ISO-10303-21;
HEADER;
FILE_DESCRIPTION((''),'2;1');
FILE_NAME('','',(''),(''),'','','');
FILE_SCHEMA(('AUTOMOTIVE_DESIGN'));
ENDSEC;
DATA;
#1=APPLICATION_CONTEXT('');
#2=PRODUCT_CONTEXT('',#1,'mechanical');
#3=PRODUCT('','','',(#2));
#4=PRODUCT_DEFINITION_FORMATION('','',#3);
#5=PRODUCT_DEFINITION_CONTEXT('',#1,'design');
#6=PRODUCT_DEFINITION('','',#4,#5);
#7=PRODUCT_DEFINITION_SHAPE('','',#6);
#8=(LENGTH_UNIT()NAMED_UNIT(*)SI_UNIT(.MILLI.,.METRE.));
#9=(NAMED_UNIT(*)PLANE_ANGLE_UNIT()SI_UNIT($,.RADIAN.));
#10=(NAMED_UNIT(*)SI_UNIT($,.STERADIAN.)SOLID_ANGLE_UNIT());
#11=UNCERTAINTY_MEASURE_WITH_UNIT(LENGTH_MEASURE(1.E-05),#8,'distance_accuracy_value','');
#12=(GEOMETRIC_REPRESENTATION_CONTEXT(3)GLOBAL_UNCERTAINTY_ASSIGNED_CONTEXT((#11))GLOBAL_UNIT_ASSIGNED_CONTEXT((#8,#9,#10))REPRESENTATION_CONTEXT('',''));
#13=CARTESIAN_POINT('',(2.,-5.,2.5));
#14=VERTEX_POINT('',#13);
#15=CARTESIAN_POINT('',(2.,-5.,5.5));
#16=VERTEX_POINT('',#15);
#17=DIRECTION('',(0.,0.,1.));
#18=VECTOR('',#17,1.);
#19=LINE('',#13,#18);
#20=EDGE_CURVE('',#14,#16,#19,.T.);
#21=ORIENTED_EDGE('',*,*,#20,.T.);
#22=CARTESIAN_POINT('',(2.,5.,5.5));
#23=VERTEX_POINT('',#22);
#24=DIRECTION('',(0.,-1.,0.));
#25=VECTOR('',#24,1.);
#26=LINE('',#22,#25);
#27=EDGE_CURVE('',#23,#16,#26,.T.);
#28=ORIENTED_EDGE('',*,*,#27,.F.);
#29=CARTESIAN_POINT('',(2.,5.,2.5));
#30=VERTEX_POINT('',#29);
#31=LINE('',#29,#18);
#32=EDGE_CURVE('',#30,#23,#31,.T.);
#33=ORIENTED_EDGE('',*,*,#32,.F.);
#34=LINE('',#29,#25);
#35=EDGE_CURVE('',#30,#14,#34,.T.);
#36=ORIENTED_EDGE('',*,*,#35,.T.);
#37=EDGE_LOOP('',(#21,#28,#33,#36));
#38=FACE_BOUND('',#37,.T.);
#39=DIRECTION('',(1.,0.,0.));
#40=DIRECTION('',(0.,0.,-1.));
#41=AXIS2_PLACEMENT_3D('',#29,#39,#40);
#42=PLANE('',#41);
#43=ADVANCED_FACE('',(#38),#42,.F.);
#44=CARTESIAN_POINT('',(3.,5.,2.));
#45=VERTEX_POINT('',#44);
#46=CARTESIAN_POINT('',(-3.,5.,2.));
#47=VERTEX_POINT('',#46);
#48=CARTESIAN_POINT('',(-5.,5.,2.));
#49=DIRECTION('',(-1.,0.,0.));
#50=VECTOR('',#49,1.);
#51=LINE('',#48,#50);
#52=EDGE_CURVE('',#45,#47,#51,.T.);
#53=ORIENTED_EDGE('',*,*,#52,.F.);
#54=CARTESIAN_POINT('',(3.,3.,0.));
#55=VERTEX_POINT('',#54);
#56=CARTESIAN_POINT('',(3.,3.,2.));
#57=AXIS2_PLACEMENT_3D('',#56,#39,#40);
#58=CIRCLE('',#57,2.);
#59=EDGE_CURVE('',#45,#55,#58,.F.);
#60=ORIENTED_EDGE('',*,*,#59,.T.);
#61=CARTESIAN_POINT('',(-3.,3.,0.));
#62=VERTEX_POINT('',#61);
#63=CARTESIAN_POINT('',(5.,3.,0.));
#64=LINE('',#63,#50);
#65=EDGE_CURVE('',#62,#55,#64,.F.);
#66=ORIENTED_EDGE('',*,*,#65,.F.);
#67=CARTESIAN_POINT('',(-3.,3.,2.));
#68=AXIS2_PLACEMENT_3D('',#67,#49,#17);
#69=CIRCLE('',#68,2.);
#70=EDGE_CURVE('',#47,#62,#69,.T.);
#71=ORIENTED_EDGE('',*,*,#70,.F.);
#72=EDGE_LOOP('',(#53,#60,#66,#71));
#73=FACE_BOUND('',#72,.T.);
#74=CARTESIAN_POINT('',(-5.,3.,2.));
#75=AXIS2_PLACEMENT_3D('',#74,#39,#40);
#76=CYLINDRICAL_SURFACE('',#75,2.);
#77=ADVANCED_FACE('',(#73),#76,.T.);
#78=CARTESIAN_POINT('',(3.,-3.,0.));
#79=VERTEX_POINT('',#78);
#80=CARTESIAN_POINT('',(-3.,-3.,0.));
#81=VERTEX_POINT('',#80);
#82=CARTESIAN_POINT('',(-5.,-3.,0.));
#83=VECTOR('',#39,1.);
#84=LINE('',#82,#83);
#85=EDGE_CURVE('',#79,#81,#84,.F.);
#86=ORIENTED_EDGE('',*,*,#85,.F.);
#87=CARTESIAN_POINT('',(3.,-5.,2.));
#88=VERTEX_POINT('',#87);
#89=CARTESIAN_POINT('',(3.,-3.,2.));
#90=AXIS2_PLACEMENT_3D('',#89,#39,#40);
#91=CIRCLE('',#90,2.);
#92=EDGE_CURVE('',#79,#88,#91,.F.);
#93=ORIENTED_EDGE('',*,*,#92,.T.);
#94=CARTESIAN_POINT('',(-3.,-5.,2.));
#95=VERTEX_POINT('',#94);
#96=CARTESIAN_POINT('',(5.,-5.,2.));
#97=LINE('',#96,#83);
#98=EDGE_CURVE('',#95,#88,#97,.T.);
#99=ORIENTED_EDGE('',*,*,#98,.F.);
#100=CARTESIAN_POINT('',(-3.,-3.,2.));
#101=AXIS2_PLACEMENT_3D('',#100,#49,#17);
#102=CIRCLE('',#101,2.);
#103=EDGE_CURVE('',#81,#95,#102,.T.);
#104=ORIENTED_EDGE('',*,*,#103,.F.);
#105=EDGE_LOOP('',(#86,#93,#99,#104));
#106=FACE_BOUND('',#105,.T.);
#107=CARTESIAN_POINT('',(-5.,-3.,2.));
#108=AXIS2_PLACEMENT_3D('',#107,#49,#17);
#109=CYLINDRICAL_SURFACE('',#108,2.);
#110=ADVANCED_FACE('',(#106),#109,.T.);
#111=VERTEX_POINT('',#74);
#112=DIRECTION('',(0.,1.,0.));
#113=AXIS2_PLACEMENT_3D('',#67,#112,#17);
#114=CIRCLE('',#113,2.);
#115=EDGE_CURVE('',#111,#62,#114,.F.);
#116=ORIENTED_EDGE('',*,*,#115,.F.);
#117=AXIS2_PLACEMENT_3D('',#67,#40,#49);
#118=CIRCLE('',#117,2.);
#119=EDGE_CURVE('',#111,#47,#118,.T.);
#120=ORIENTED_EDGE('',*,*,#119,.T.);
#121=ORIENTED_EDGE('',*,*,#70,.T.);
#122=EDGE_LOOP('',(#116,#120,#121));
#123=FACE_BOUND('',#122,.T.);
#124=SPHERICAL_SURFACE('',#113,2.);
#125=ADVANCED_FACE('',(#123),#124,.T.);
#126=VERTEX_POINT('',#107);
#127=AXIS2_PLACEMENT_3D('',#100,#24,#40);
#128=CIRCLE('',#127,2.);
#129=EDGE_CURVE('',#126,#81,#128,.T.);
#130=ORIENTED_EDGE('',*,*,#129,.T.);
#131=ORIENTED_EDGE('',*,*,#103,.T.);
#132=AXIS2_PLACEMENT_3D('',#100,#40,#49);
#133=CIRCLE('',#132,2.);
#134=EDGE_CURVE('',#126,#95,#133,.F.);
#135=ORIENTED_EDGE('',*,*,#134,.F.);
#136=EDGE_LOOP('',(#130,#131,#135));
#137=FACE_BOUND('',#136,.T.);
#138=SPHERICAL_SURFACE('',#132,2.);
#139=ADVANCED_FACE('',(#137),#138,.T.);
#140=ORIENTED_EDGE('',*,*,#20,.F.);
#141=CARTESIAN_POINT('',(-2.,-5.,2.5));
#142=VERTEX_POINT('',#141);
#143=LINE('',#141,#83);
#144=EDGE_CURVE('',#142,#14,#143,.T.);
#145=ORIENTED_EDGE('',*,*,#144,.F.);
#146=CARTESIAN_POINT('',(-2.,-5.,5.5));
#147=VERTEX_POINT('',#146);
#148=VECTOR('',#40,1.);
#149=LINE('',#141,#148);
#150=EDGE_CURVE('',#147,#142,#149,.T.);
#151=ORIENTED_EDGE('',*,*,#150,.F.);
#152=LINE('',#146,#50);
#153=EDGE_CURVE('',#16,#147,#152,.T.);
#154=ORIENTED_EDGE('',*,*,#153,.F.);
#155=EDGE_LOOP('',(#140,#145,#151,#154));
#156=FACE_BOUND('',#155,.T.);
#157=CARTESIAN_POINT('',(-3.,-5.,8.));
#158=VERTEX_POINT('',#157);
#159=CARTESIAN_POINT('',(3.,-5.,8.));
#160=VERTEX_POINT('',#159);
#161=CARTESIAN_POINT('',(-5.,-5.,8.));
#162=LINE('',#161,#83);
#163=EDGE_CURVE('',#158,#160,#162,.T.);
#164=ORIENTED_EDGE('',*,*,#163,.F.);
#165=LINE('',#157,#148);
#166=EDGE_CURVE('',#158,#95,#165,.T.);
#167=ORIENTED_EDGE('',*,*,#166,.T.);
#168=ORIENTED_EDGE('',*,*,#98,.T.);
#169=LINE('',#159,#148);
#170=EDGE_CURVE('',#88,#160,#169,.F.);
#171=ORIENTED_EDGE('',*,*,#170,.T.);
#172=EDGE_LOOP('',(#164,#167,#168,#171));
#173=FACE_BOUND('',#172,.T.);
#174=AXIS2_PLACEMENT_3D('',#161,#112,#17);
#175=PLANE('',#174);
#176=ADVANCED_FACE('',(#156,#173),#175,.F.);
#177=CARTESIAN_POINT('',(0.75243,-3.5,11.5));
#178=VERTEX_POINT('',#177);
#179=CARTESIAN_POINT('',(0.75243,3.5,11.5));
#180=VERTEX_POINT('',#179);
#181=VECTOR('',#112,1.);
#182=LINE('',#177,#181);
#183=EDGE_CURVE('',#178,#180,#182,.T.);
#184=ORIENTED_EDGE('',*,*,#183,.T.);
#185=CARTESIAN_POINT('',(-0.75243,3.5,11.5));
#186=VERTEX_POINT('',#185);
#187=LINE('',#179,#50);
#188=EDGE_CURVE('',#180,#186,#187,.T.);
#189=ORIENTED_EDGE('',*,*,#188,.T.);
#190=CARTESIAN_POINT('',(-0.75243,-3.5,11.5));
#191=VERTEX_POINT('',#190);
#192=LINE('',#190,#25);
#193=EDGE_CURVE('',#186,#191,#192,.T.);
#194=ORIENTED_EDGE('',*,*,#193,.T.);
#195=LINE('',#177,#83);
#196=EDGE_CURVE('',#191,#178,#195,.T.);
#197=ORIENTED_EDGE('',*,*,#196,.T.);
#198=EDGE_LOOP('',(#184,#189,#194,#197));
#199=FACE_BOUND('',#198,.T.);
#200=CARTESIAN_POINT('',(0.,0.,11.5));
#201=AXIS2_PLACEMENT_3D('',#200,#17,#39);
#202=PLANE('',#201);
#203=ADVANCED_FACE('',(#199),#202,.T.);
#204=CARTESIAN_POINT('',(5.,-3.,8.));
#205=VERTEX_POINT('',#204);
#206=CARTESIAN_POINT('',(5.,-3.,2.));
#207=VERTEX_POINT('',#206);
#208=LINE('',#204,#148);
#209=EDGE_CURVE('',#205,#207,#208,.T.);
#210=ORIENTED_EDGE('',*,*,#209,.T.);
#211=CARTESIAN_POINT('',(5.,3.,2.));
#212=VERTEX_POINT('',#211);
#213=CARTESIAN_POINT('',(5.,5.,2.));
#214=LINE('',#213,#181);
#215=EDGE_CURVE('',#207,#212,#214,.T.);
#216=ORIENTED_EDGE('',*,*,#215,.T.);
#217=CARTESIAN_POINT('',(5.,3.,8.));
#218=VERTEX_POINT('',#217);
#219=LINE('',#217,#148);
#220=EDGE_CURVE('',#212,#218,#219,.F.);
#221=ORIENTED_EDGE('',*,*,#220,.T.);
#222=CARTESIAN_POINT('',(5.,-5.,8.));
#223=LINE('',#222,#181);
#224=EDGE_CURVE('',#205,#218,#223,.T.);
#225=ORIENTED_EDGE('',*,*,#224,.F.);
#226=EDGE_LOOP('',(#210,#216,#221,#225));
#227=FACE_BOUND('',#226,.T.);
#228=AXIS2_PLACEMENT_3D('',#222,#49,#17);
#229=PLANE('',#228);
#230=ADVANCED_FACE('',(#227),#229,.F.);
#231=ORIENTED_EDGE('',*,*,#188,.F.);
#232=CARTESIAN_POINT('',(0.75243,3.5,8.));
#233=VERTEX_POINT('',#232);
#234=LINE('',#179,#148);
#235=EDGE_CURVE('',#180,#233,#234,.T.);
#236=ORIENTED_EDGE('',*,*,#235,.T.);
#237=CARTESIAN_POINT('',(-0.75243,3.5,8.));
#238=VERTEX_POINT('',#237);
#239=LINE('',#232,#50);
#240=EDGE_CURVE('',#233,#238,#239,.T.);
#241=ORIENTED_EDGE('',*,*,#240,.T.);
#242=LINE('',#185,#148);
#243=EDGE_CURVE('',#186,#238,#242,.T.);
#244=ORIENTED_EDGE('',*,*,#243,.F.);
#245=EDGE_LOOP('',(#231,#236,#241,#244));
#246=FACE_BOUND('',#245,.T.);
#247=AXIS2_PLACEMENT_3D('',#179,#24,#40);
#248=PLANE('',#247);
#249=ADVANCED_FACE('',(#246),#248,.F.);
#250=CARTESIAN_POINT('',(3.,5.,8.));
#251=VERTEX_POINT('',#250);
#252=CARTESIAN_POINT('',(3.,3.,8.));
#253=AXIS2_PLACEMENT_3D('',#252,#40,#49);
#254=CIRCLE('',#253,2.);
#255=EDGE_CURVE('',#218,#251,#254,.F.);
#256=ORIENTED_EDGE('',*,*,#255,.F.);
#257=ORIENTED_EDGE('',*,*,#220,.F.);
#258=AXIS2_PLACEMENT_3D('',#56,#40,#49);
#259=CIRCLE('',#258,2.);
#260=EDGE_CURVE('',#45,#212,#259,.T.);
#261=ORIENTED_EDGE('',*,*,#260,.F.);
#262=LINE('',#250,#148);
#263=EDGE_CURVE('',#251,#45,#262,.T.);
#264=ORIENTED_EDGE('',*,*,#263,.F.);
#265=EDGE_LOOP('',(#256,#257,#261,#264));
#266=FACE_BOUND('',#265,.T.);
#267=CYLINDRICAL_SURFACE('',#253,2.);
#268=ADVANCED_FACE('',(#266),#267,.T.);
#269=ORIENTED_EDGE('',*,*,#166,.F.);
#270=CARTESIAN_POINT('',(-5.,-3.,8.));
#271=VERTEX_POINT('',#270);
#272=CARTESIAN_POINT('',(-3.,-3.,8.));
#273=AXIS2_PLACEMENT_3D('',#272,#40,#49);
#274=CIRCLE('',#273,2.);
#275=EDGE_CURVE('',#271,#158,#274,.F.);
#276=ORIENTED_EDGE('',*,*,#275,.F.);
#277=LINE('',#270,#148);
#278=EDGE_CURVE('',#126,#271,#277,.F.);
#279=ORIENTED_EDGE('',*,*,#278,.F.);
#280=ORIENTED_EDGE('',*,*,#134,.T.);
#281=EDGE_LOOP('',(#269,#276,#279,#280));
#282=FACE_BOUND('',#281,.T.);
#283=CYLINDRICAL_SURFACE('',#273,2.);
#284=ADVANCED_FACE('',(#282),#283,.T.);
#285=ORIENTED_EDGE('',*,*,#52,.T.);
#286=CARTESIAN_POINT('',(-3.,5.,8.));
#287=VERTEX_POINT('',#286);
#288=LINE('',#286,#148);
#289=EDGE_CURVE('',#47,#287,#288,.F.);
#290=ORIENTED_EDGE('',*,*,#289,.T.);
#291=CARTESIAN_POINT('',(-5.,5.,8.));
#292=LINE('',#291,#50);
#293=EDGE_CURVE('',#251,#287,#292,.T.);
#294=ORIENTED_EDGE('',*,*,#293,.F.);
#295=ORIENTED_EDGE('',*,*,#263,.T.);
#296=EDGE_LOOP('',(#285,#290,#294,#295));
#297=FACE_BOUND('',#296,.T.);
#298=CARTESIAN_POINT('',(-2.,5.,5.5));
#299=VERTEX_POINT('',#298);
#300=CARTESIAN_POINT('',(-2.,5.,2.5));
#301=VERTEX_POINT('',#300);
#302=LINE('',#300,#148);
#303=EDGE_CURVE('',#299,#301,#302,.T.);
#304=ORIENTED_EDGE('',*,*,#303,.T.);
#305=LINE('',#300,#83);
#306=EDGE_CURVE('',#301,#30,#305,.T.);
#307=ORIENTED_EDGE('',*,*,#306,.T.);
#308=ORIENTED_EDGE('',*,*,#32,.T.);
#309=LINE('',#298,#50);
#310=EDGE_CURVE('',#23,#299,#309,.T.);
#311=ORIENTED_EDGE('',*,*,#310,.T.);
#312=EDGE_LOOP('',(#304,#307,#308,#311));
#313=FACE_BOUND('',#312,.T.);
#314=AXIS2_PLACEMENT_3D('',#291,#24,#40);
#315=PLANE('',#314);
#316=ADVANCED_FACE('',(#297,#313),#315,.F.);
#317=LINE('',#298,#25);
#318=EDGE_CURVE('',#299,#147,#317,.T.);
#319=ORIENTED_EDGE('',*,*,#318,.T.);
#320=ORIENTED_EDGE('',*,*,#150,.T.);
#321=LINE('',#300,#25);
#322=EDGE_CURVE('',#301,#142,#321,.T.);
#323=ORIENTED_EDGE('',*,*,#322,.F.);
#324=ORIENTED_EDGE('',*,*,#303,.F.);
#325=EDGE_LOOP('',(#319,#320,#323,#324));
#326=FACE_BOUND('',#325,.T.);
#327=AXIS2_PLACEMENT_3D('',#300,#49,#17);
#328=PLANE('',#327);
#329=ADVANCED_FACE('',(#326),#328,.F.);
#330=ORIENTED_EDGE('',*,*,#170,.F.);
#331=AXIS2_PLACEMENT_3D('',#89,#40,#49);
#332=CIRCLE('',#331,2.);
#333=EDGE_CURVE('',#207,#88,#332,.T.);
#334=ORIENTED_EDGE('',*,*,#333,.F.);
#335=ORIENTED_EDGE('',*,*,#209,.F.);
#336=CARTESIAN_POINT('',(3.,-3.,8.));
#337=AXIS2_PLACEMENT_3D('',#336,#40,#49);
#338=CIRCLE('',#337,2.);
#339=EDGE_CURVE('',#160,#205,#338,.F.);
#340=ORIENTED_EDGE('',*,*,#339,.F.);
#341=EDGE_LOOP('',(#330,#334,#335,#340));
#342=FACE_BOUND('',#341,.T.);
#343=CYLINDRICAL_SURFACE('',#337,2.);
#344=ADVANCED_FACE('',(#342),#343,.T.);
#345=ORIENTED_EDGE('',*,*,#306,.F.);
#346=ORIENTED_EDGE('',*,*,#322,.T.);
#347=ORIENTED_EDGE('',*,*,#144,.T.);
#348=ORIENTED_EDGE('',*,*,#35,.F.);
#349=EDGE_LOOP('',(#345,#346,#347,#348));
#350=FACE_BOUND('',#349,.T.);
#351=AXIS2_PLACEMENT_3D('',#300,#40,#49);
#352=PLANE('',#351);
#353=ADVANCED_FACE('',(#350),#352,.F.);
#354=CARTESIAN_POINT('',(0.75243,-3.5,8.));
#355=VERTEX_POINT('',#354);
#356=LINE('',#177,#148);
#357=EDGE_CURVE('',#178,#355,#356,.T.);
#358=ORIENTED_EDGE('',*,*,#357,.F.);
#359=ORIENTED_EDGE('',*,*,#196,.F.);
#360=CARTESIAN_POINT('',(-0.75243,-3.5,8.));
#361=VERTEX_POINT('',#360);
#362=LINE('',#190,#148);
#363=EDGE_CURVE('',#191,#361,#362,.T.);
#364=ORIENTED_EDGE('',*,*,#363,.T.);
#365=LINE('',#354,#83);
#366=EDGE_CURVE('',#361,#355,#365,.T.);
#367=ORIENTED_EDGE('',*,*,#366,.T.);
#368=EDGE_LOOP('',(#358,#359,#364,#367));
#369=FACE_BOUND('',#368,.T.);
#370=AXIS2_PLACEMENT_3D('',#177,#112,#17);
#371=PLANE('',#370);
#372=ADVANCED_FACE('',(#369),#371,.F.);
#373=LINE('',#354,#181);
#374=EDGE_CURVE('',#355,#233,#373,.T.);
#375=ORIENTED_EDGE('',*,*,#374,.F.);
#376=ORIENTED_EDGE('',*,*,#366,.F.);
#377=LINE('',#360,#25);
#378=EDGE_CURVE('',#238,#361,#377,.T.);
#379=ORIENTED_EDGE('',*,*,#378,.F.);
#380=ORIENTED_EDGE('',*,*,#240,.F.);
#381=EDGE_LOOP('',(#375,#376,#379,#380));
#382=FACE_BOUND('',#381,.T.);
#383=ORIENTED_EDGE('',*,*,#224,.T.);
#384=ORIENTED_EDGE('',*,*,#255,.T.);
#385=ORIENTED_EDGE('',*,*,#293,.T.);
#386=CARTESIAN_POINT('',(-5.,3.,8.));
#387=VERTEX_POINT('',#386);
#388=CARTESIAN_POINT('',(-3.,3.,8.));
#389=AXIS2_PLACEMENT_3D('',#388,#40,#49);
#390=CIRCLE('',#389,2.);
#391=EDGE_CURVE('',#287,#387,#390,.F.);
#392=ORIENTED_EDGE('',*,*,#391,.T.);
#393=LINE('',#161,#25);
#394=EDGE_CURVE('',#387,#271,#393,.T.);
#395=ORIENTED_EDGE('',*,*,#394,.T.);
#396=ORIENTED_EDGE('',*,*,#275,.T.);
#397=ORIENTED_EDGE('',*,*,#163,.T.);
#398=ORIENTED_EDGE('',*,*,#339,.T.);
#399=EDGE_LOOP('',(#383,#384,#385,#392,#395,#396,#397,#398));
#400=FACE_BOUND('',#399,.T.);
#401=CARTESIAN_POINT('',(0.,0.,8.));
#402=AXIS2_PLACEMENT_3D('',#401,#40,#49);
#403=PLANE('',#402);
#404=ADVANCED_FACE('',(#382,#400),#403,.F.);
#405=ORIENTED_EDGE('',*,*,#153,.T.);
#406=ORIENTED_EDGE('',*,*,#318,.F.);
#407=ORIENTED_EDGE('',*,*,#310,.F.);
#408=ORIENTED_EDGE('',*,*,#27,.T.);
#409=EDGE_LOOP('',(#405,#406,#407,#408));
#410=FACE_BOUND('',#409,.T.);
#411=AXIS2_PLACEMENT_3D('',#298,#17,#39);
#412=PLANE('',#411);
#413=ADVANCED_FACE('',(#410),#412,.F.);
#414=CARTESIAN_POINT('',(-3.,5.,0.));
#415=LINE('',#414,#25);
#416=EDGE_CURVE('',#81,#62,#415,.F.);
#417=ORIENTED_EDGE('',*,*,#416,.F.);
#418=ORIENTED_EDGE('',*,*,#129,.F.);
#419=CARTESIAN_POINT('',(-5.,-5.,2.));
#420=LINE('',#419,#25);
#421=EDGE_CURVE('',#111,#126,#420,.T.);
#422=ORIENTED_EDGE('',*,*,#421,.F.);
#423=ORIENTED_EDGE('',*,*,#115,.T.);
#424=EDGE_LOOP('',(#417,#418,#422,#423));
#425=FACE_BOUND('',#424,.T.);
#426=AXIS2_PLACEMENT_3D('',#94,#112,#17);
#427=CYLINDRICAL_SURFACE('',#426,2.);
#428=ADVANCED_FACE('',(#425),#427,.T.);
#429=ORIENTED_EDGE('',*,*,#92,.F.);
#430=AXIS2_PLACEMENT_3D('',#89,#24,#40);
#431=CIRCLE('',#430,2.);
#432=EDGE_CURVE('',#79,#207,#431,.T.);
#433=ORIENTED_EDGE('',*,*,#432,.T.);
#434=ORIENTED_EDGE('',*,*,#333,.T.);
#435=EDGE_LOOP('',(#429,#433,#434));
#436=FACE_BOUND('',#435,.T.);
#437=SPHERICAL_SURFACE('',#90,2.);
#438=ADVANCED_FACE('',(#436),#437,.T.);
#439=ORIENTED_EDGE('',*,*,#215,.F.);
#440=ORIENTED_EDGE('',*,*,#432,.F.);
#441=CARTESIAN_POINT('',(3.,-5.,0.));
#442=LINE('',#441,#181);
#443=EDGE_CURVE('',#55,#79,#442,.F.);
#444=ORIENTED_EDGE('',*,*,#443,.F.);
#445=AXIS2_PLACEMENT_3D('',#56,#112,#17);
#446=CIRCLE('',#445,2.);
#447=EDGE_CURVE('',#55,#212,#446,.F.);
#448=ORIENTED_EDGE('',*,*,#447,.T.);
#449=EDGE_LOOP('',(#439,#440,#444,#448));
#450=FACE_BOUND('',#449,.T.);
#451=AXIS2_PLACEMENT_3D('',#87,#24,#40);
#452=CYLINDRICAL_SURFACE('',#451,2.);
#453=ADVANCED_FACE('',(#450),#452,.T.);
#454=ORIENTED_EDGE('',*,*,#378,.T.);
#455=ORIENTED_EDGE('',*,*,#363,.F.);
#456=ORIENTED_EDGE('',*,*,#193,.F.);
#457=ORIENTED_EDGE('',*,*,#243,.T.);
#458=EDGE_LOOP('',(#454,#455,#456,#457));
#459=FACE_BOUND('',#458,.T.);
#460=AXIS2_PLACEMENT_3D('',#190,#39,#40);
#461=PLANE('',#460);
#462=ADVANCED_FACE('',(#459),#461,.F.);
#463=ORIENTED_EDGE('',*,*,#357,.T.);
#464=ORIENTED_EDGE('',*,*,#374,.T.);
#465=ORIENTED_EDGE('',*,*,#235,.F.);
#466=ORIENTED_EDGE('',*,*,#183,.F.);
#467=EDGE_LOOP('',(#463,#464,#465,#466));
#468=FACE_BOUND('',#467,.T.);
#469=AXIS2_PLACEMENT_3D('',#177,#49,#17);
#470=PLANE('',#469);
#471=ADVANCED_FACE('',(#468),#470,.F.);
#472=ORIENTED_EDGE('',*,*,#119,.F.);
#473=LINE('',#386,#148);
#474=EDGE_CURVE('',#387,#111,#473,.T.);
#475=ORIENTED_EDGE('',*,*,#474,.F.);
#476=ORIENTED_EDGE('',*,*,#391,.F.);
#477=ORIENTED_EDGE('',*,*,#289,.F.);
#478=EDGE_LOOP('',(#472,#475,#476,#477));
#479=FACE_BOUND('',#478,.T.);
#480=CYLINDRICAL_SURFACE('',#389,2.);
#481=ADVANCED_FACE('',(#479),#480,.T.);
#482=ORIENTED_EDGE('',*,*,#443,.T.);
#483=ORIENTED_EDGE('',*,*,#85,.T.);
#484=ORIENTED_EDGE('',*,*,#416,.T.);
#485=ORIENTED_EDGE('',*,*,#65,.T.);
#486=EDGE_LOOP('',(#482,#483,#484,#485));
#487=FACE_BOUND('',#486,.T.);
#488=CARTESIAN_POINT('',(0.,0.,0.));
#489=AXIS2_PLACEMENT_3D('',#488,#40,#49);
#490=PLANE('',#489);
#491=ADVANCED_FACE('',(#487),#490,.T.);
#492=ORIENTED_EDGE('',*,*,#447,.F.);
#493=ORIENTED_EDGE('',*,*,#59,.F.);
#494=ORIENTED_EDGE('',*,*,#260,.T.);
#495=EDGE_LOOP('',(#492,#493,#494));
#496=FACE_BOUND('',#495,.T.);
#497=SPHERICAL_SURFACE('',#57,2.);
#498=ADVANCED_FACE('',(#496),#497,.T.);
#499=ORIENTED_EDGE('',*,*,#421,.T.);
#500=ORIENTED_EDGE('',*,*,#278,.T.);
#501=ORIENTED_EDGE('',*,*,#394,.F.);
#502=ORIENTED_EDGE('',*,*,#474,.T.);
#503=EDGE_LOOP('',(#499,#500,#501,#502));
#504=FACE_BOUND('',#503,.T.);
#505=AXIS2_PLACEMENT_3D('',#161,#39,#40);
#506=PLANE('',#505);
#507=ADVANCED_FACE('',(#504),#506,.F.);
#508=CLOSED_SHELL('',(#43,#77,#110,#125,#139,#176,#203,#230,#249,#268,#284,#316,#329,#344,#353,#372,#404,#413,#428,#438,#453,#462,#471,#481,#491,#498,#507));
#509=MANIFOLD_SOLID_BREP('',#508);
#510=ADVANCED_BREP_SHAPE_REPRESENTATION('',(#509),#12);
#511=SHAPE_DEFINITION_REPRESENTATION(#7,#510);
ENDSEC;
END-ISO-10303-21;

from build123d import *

# Parameters (mm, degrees)
SKETCH1_W           = 10
SKETCH1_H           = 10
BOSS_EXTRUDE1_DEPTH = 8
SKETCH2_W           = 4
SKETCH2_H           = 3
CUT_EXTRUDE1_DEPTH  = 11
SKETCH3_W           = 1.504859188
SKETCH3_H           = 7
BOSS_EXTRUDE2_DEPTH = 3.5
FILLET1_R           = 2


with BuildPart() as part:
    # Sketch1 → Boss-Extrude1 (new body)
    with BuildSketch(Plane.XY):
        Rectangle(SKETCH1_W, SKETCH1_H)
    extrude(amount=BOSS_EXTRUDE1_DEPTH)

    # Sketch2 → Cut-Extrude1 (cut, through all)
    with BuildSketch(Plane.XZ.offset(5)):
        with Locations((0, 4)):
            Rectangle(SKETCH2_W, SKETCH2_H)
    extrude(amount=-CUT_EXTRUDE1_DEPTH, mode=Mode.SUBTRACT)

    # Sketch3 → Boss-Extrude2 (add)
    with BuildSketch(Plane.XY.offset(8)):
        Rectangle(SKETCH3_W, SKETCH3_H)
    extrude(amount=BOSS_EXTRUDE2_DEPTH)

    # Fillet1
    fillet1_edges = [part.edges().sort_by_distance(p)[0] for p in [
        (0, -5, 0),
        (-5, 0, 0),
        (0, 5, 0),
        (5, 0, 0),
        (5, -5, 4),
        (-5, -5, 4),
        (-5, 5, 4),
        (5, 5, 4),
    ]]
    fillet(fillet1_edges, radius=FILLET1_R)


solid = part.part
